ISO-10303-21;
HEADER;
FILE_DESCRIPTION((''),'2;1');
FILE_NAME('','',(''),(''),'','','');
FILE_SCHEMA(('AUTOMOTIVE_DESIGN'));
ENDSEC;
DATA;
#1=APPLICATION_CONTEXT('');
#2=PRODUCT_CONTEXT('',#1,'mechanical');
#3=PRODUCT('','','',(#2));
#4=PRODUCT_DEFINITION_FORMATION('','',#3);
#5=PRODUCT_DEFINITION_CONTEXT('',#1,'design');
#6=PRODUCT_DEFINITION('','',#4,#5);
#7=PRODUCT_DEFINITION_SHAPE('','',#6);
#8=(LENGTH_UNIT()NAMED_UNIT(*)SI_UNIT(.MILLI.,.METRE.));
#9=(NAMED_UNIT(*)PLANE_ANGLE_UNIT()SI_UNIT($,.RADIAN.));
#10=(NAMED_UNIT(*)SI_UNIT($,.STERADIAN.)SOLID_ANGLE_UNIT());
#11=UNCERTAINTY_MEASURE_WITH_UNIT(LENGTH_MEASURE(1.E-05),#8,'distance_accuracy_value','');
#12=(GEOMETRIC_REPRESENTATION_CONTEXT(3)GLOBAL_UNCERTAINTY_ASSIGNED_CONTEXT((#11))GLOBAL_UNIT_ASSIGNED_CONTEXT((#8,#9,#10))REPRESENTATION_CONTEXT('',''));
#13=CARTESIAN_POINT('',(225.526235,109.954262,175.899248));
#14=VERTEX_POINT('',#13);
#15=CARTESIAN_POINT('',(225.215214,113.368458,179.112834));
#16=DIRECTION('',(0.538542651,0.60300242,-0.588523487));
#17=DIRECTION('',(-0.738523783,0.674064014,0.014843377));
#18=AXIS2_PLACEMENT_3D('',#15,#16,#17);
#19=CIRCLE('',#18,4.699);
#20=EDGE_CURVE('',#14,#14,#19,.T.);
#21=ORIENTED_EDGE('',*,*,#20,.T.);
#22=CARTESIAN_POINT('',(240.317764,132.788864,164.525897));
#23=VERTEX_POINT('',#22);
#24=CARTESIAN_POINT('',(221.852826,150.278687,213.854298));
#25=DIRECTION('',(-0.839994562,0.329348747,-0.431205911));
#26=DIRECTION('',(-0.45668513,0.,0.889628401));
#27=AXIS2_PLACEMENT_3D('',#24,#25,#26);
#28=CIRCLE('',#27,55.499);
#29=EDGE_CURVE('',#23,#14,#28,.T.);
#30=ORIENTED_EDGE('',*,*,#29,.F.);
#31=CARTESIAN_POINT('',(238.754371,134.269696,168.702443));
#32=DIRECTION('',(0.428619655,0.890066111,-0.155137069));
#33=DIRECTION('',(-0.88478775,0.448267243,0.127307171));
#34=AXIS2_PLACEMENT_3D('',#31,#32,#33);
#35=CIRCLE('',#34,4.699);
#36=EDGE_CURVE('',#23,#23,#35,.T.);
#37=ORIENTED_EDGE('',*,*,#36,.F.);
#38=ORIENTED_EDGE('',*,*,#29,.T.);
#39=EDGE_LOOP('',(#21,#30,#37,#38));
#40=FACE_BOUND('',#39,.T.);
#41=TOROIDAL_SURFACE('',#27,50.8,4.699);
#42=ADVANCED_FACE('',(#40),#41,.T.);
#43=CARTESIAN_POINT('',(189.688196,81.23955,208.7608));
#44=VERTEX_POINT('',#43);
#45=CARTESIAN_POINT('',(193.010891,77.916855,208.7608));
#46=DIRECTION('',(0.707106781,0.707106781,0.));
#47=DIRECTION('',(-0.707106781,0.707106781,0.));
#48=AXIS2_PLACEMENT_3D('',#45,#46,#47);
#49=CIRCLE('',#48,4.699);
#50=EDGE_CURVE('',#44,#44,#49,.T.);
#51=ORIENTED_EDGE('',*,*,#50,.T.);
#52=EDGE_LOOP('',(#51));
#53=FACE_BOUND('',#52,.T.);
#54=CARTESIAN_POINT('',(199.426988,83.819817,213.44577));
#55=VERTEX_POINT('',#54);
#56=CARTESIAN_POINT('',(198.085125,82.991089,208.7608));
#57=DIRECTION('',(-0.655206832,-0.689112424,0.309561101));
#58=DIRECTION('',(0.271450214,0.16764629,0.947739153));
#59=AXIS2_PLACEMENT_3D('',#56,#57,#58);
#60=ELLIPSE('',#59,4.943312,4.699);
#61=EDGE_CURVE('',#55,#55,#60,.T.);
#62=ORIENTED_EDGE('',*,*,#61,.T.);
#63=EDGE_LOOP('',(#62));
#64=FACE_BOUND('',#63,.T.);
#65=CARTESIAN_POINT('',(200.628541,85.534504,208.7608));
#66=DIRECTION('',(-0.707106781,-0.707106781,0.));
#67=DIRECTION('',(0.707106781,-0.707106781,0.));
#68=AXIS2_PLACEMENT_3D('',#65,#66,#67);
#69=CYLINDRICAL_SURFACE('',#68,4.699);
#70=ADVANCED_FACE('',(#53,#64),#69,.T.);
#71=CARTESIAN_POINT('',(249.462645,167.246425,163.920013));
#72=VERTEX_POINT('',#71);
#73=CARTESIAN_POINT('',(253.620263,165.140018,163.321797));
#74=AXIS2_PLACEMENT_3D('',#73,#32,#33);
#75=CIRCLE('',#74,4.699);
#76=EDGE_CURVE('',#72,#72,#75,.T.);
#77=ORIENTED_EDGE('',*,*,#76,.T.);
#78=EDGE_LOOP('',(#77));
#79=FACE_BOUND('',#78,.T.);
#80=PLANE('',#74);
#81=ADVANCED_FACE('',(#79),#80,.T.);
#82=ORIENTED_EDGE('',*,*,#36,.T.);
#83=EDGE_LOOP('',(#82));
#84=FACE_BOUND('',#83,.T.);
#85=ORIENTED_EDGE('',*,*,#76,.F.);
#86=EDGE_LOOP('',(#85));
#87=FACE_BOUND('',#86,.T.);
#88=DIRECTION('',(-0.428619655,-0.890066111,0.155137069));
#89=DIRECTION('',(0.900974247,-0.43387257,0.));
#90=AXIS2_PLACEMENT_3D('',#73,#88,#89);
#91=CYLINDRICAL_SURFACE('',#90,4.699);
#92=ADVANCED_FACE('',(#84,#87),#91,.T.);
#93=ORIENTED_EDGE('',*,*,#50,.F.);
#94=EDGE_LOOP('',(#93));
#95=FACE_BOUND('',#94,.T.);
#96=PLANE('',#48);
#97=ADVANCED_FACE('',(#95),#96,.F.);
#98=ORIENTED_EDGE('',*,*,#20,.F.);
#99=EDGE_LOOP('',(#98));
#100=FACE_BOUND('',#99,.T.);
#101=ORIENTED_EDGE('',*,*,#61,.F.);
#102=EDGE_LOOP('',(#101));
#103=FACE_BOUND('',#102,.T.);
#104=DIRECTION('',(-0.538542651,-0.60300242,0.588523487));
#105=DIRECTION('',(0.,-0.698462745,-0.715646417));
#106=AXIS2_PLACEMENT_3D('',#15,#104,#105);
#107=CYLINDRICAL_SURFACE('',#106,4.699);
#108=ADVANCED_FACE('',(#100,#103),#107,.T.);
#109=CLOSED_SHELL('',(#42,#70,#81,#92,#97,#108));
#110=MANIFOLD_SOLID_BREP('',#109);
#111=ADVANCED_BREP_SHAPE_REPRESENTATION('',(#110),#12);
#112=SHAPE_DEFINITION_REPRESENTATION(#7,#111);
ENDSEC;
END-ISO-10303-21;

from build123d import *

# Parameters (mm, degrees)
SWEEP1_PROFILE_R = 4.699


with BuildPart() as part:
    # Sweep1: sweep along a curve in space
    with BuildLine() as sweep1_path:
        Line((238.754370819, 134.269695833, 168.702443465), (253.620262853, 165.140017683, 163.321796801))
        ThreePointArc((225.215214035, 113.368458468, 179.112833538), (232.362452735, 122.832817986, 172.418661174), (238.754370819, 134.269695833, 168.702443465))
        Line((198.085125282, 82.991088831, 208.7608), (225.215214035, 113.368458468, 179.112833538))
        Line((198.085125282, 82.991088831, 208.7608), (193.010891229, 77.916854778, 208.7608))
    # Sweep1 profile (on start of the path) → Sweep1 (sweep)
    with BuildSketch(Plane(origin=(193.010891229, 77.916854778, 208.7608), x_dir=(-0.707106781, 0.707106781, 0), z_dir=(0.707106781, 0.707106781, 0))):
        Circle(SWEEP1_PROFILE_R)
    sweep(path=sweep1_path.line, transition=Transition.RIGHT)


solid = part.part
